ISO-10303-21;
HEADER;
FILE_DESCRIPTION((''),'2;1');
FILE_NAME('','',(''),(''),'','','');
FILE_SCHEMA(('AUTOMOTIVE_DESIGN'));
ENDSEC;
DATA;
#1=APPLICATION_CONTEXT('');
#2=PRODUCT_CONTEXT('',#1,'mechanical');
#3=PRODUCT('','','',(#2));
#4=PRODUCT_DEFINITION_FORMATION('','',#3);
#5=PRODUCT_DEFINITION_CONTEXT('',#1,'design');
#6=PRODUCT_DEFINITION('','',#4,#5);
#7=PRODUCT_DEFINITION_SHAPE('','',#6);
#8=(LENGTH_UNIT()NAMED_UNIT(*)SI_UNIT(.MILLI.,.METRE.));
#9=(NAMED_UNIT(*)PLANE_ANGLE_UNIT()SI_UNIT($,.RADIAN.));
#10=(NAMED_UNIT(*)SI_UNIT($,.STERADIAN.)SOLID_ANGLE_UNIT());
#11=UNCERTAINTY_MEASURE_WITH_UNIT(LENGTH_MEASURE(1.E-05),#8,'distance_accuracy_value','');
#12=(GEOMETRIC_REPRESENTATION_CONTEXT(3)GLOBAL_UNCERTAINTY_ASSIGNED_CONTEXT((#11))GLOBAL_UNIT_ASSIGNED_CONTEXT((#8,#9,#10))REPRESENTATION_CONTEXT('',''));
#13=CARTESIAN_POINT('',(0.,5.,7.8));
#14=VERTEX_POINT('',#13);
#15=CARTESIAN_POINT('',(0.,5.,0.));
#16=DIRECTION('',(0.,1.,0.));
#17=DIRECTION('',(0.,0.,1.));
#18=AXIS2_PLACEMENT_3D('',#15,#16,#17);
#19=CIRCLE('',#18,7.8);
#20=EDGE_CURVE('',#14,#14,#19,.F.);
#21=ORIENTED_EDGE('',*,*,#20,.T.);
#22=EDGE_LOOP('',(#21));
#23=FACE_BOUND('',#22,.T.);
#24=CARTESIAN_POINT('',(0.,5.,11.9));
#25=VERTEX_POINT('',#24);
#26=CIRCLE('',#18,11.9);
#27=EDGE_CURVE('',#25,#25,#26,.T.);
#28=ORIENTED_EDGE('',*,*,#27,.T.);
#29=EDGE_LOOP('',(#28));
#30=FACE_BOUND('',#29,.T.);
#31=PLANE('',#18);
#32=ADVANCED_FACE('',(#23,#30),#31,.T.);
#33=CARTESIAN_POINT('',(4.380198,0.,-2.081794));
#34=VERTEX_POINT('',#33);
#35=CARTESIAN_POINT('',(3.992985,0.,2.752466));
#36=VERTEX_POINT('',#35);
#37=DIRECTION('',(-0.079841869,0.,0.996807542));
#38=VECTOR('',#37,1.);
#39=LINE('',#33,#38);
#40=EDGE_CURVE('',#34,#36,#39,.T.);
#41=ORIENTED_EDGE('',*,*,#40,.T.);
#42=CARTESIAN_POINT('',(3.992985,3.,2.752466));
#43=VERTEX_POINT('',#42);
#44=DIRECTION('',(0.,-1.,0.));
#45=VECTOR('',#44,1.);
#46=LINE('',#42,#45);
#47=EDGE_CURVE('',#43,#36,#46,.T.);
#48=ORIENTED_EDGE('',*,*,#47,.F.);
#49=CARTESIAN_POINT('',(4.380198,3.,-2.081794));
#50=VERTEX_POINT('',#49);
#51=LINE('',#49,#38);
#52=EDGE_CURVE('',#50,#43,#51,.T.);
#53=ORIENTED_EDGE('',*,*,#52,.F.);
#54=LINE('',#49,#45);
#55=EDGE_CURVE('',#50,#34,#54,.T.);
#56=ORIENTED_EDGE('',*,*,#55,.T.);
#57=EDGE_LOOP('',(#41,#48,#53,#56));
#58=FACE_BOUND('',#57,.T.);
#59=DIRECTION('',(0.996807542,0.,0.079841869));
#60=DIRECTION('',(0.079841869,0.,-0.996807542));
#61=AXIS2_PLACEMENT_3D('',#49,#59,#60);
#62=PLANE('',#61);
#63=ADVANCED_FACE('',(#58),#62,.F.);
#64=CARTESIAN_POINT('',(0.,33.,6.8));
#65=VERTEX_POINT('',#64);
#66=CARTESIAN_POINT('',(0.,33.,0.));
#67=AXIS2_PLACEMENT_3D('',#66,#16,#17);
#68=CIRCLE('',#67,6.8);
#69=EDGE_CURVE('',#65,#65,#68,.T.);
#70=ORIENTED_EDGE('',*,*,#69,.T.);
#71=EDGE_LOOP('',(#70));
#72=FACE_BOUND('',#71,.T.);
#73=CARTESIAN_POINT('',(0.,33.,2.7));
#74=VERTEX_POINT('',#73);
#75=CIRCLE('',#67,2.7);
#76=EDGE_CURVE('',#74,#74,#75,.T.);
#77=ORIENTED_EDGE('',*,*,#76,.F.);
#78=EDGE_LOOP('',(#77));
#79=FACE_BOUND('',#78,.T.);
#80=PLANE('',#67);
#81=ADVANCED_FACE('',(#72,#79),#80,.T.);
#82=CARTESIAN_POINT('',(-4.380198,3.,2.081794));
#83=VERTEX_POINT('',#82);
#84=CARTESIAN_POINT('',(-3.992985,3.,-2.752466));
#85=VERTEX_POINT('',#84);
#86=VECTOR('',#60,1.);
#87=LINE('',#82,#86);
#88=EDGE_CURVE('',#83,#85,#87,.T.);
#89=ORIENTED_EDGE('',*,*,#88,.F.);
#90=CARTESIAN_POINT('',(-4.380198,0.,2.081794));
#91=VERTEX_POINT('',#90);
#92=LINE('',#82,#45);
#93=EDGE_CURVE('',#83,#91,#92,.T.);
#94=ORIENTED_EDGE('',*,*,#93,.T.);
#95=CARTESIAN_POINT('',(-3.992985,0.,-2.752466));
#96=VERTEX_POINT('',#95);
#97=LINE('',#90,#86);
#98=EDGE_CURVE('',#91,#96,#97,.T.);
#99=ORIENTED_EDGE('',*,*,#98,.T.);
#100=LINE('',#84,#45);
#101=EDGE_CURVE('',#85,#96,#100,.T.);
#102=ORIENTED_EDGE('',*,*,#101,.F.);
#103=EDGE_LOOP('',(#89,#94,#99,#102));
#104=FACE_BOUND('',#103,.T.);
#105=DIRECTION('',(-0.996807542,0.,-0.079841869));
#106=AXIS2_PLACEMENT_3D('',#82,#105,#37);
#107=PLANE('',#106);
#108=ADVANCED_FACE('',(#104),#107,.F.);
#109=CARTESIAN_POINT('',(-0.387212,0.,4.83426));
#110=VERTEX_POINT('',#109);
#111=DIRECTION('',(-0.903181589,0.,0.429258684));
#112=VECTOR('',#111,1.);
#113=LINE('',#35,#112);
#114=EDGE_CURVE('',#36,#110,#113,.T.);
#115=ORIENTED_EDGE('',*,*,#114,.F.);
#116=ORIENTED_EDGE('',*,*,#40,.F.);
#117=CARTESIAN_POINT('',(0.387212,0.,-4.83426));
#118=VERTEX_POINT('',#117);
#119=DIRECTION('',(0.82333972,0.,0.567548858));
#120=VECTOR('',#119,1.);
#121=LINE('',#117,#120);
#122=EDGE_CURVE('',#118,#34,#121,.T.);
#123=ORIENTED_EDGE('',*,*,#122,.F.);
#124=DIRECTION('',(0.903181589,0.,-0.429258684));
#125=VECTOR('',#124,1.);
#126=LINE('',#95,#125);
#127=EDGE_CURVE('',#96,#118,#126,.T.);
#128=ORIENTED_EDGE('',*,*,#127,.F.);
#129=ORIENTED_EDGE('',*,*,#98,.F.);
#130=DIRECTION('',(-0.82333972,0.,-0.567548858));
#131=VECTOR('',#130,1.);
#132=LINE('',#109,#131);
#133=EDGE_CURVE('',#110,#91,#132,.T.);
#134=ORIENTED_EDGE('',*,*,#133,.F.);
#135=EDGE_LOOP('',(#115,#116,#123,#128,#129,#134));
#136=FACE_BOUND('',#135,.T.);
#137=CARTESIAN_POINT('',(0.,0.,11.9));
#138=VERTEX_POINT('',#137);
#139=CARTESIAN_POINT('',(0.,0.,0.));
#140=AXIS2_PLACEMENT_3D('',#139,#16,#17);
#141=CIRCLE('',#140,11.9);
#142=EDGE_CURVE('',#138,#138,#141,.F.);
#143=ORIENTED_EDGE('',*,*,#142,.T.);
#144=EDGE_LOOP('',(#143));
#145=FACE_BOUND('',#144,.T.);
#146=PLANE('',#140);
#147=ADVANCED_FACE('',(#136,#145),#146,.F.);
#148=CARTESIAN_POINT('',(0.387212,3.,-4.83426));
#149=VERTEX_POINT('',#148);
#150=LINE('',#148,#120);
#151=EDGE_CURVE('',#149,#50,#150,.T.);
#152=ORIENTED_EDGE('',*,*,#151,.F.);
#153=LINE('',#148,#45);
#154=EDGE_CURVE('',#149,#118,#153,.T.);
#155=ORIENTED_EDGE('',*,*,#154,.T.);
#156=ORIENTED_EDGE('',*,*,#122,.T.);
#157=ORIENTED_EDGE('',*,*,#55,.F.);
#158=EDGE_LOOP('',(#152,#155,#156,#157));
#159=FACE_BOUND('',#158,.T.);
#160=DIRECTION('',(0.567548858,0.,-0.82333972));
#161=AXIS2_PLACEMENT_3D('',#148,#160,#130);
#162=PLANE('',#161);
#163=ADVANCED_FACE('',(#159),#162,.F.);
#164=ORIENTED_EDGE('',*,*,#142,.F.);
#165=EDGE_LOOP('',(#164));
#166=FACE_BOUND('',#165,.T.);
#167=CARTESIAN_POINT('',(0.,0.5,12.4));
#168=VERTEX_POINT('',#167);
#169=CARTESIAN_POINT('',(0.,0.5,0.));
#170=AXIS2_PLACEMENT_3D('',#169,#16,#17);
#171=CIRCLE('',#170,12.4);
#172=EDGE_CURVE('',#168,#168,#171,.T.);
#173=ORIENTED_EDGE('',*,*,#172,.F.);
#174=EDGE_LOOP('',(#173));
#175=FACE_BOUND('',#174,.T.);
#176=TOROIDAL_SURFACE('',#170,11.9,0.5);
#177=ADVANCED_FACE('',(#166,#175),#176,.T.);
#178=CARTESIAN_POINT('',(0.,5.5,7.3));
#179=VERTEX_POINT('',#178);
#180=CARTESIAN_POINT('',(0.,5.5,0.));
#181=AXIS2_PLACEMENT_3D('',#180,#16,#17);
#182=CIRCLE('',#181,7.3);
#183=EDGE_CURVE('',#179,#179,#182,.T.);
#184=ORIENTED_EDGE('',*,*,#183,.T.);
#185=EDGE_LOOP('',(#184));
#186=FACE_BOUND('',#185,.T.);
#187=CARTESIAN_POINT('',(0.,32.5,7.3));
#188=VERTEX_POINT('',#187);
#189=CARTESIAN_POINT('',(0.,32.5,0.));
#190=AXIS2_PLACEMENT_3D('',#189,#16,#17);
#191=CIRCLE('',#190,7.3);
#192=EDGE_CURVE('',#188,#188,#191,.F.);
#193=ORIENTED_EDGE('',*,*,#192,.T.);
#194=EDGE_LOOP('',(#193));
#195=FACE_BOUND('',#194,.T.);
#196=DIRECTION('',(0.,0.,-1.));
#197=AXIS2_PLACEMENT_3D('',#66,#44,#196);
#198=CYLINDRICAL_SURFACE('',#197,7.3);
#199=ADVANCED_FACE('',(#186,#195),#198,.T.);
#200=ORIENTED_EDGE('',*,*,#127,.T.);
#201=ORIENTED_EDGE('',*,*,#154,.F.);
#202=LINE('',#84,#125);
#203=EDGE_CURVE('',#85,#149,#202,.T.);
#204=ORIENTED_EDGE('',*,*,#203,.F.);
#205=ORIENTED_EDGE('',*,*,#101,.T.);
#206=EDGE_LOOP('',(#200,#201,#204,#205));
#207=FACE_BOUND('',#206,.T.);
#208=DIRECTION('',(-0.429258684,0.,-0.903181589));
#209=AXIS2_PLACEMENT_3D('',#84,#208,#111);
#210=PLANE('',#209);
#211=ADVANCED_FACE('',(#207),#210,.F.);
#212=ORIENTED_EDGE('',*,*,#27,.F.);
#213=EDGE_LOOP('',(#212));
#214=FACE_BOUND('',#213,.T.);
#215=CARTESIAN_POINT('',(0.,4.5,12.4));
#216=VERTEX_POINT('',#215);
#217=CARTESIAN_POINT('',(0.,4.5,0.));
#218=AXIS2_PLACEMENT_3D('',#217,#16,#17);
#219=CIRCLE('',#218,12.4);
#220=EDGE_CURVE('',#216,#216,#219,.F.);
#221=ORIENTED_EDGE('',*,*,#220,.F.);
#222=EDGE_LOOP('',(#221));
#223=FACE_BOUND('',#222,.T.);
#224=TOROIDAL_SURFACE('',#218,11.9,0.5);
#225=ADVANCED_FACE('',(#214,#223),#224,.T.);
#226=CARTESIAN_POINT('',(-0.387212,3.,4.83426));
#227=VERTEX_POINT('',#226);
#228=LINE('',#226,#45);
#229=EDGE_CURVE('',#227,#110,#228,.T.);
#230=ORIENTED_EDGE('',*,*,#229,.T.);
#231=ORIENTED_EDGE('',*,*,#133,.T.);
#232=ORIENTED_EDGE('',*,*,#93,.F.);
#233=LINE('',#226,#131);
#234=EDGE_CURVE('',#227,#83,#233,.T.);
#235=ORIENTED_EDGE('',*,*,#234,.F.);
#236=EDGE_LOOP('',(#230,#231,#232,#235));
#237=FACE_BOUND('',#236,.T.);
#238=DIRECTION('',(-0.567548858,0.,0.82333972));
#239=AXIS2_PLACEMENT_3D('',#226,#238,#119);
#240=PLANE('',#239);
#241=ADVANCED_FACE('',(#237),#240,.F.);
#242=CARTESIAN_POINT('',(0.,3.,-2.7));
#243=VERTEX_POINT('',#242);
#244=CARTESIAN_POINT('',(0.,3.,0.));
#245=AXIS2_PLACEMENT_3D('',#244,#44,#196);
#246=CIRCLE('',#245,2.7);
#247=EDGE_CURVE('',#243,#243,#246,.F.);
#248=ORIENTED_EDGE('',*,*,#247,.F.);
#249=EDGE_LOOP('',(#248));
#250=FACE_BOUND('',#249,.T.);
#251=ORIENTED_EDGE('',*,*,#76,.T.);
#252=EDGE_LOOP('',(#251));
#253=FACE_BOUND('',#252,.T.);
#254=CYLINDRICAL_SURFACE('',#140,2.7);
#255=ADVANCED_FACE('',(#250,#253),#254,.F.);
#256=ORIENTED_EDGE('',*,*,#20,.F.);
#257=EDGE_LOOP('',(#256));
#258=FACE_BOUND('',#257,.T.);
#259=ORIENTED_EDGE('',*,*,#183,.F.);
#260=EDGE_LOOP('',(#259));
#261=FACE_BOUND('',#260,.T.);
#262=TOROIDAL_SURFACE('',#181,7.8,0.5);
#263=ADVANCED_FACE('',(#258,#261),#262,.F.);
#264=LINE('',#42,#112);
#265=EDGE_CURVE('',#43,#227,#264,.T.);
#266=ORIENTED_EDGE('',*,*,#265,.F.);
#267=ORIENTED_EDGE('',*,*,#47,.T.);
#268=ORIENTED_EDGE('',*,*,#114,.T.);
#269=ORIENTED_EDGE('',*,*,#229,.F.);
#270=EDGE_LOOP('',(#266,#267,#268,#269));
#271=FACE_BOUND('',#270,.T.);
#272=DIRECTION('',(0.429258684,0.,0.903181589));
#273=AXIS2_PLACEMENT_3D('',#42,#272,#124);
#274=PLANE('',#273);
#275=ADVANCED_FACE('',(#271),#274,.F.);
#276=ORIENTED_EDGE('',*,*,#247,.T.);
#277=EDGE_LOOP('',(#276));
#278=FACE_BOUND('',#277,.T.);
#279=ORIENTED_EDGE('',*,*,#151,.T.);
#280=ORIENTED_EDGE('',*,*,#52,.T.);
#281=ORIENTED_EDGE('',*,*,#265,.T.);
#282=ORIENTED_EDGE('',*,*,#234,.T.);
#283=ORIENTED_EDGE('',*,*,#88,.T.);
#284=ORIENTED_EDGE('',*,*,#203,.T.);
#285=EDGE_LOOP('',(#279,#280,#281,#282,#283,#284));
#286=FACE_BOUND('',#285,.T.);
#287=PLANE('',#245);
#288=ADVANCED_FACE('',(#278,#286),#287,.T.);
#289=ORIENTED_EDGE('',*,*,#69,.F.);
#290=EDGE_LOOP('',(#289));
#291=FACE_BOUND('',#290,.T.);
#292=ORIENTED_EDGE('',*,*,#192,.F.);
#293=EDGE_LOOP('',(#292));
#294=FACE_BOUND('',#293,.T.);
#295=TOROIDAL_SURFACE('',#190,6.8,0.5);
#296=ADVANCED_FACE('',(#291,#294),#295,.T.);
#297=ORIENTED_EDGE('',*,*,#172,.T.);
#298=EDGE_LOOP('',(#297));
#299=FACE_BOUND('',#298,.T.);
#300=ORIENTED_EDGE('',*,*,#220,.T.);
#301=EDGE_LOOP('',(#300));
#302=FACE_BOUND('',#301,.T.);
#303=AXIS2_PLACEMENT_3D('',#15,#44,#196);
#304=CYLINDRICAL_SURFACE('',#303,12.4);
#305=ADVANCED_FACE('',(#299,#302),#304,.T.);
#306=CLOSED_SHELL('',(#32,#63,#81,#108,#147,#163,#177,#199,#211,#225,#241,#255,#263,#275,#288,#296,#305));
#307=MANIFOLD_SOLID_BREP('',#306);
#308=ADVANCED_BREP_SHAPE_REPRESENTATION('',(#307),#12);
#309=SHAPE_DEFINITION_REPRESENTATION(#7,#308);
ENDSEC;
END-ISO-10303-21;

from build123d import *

# Parameters (mm, degrees)
SKETCH1_R           = 12.4
BOSS_EXTRUDE1_DEPTH = 5
SKETCH2_R           = 7.3
BOSS_EXTRUDE2_DEPTH = 28
SKETCH3_R           = 2.7
CUT_EXTRUDE1_DEPTH  = 34
CUT_EXTRUDE2_DEPTH  = 3
FILLET1_R           = 0.5


with BuildPart() as part:
    # Sketch1 → Boss-Extrude1 (new body)
    with BuildSketch(Plane(origin=(0, 0, 0), x_dir=(1, 0, 0), z_dir=(0, 1, 0))):
        Circle(SKETCH1_R)
    extrude(amount=BOSS_EXTRUDE1_DEPTH)

    # Sketch2 → Boss-Extrude2 (add)
    with BuildSketch(Plane(origin=(0, 5, 0), x_dir=(1, 0, 0), z_dir=(0, 1, 0))):
        Circle(SKETCH2_R)
    extrude(amount=BOSS_EXTRUDE2_DEPTH)

    # Sketch3 → Cut-Extrude1 (cut, through all)
    with BuildSketch(Plane(origin=(0, 33, 0), x_dir=(1, 0, 0), z_dir=(0, 1, 0))):
        Circle(SKETCH3_R)
    extrude(amount=-CUT_EXTRUDE1_DEPTH, mode=Mode.SUBTRACT)

    # Sketch4 → Cut-Extrude2 (cut)
    with BuildSketch(Plane.XZ):
        Polygon((-4.38019792, 2.081793981), (-3.992985433, -2.752465682), (0.387212487, -4.834259663), (4.38019792, -2.081793981), (3.992985433, 2.752465682), (-0.387212487, 4.834259663), align=None)
    extrude(amount=-CUT_EXTRUDE2_DEPTH, mode=Mode.SUBTRACT)

    # Fillet1
    fillet1_edges = [part.edges().sort_by_distance(p)[0] for p in [
        (-12.4, 0, 0),
        (-12.4, 5, 0),
        (-7.3, 5, 0),
        (-7.3, 33, 0),
    ]]
    fillet(fillet1_edges, radius=FILLET1_R)


solid = part.part
